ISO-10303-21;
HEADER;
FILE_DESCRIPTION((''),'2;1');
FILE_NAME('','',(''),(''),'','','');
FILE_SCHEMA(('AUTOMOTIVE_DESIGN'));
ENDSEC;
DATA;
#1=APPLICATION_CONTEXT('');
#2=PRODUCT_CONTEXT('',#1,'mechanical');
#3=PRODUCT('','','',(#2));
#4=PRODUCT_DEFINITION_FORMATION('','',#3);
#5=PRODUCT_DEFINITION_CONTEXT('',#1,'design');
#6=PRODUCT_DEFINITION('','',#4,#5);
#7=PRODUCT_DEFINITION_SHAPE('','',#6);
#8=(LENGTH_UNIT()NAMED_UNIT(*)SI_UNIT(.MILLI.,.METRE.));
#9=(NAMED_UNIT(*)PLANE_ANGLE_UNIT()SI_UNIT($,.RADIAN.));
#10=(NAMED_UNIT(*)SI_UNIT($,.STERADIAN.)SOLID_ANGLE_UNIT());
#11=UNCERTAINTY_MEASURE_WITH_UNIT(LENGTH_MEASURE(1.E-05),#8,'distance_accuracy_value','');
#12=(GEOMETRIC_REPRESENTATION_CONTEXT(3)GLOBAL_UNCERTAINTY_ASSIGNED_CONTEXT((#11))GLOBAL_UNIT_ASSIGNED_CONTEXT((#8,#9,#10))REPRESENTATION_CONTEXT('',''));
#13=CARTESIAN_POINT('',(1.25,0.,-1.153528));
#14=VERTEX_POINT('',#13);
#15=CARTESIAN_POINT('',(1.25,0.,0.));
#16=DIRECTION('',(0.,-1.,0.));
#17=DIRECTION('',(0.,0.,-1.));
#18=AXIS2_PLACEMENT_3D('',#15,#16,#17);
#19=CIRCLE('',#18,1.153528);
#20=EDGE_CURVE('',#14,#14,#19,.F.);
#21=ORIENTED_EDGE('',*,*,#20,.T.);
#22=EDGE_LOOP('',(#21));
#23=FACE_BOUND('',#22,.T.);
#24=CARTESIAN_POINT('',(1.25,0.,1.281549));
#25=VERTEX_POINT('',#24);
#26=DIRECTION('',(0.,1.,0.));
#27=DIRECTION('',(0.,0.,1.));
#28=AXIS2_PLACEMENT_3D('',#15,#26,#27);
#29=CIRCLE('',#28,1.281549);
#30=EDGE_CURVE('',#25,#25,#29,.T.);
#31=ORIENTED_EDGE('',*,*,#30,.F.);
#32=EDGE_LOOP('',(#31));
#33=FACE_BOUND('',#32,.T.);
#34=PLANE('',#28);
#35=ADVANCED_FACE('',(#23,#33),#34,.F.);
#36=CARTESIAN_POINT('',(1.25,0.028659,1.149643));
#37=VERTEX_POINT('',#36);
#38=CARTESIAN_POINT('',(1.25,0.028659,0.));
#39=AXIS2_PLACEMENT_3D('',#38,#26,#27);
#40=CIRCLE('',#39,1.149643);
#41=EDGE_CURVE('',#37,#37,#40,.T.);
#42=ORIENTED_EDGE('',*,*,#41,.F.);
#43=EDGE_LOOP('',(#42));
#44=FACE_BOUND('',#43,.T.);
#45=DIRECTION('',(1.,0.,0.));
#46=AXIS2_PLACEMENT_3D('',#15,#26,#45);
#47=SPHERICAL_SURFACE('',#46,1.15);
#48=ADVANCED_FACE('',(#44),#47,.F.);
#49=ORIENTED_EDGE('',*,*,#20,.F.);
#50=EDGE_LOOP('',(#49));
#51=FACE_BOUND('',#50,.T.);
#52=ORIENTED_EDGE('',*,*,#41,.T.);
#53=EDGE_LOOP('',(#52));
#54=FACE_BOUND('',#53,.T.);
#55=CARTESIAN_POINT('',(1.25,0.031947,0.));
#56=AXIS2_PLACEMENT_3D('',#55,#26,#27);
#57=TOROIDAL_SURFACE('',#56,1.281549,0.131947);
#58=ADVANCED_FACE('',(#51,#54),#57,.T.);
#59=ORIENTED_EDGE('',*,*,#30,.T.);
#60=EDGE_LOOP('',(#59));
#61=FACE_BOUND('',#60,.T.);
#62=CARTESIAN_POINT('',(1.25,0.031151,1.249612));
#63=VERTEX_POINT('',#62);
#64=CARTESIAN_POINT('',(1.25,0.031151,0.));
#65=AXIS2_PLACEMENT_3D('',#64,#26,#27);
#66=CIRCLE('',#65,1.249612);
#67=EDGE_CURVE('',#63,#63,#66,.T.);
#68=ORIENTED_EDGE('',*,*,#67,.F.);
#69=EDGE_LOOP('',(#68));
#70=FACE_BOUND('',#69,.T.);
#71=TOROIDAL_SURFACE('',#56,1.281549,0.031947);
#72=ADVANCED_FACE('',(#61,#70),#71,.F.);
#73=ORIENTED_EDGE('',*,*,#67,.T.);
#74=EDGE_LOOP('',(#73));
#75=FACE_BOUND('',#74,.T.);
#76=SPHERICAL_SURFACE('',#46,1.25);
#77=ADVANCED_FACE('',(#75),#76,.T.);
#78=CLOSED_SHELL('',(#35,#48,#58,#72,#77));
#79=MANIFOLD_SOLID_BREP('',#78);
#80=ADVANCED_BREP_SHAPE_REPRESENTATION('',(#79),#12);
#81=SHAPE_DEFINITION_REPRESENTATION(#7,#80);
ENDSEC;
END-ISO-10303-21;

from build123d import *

# Parameters (mm, degrees)
SHELL1_T = -0.1


with BuildPart() as part:
    # Sketch1 → Revolve2 (revolve)
    with BuildSketch(Plane.XY, mode=Mode.PRIVATE) as revolve2_sk:
        with BuildLine():
            Line((1.25, 1.25), (1.25, 0))
            Line((1.25, 0), (2.531549112, 0))
            ThreePointArc((2.531549112, 0), (2.509242253, 0.009077382), (2.499611783, 0.031151097))
            ThreePointArc((2.499611783, 0.031151097), (2.122800415, 0.894829277), (1.25, 1.25))
        make_face()
    revolve(revolve2_sk.sketch.rotate(Axis((1.25, 1.25, 0), (0, -1, 0)), 90), axis=Axis((1.25, 1.25, 0), (0, -1, 0)))

    # Shell1
    shell1_openings = [part.faces().sort_by_distance(p)[0] for p in [
        (1.25, 0, 0),
    ]]
    offset(amount=SHELL1_T, openings=shell1_openings, kind=Kind.INTERSECTION)


solid = part.part
